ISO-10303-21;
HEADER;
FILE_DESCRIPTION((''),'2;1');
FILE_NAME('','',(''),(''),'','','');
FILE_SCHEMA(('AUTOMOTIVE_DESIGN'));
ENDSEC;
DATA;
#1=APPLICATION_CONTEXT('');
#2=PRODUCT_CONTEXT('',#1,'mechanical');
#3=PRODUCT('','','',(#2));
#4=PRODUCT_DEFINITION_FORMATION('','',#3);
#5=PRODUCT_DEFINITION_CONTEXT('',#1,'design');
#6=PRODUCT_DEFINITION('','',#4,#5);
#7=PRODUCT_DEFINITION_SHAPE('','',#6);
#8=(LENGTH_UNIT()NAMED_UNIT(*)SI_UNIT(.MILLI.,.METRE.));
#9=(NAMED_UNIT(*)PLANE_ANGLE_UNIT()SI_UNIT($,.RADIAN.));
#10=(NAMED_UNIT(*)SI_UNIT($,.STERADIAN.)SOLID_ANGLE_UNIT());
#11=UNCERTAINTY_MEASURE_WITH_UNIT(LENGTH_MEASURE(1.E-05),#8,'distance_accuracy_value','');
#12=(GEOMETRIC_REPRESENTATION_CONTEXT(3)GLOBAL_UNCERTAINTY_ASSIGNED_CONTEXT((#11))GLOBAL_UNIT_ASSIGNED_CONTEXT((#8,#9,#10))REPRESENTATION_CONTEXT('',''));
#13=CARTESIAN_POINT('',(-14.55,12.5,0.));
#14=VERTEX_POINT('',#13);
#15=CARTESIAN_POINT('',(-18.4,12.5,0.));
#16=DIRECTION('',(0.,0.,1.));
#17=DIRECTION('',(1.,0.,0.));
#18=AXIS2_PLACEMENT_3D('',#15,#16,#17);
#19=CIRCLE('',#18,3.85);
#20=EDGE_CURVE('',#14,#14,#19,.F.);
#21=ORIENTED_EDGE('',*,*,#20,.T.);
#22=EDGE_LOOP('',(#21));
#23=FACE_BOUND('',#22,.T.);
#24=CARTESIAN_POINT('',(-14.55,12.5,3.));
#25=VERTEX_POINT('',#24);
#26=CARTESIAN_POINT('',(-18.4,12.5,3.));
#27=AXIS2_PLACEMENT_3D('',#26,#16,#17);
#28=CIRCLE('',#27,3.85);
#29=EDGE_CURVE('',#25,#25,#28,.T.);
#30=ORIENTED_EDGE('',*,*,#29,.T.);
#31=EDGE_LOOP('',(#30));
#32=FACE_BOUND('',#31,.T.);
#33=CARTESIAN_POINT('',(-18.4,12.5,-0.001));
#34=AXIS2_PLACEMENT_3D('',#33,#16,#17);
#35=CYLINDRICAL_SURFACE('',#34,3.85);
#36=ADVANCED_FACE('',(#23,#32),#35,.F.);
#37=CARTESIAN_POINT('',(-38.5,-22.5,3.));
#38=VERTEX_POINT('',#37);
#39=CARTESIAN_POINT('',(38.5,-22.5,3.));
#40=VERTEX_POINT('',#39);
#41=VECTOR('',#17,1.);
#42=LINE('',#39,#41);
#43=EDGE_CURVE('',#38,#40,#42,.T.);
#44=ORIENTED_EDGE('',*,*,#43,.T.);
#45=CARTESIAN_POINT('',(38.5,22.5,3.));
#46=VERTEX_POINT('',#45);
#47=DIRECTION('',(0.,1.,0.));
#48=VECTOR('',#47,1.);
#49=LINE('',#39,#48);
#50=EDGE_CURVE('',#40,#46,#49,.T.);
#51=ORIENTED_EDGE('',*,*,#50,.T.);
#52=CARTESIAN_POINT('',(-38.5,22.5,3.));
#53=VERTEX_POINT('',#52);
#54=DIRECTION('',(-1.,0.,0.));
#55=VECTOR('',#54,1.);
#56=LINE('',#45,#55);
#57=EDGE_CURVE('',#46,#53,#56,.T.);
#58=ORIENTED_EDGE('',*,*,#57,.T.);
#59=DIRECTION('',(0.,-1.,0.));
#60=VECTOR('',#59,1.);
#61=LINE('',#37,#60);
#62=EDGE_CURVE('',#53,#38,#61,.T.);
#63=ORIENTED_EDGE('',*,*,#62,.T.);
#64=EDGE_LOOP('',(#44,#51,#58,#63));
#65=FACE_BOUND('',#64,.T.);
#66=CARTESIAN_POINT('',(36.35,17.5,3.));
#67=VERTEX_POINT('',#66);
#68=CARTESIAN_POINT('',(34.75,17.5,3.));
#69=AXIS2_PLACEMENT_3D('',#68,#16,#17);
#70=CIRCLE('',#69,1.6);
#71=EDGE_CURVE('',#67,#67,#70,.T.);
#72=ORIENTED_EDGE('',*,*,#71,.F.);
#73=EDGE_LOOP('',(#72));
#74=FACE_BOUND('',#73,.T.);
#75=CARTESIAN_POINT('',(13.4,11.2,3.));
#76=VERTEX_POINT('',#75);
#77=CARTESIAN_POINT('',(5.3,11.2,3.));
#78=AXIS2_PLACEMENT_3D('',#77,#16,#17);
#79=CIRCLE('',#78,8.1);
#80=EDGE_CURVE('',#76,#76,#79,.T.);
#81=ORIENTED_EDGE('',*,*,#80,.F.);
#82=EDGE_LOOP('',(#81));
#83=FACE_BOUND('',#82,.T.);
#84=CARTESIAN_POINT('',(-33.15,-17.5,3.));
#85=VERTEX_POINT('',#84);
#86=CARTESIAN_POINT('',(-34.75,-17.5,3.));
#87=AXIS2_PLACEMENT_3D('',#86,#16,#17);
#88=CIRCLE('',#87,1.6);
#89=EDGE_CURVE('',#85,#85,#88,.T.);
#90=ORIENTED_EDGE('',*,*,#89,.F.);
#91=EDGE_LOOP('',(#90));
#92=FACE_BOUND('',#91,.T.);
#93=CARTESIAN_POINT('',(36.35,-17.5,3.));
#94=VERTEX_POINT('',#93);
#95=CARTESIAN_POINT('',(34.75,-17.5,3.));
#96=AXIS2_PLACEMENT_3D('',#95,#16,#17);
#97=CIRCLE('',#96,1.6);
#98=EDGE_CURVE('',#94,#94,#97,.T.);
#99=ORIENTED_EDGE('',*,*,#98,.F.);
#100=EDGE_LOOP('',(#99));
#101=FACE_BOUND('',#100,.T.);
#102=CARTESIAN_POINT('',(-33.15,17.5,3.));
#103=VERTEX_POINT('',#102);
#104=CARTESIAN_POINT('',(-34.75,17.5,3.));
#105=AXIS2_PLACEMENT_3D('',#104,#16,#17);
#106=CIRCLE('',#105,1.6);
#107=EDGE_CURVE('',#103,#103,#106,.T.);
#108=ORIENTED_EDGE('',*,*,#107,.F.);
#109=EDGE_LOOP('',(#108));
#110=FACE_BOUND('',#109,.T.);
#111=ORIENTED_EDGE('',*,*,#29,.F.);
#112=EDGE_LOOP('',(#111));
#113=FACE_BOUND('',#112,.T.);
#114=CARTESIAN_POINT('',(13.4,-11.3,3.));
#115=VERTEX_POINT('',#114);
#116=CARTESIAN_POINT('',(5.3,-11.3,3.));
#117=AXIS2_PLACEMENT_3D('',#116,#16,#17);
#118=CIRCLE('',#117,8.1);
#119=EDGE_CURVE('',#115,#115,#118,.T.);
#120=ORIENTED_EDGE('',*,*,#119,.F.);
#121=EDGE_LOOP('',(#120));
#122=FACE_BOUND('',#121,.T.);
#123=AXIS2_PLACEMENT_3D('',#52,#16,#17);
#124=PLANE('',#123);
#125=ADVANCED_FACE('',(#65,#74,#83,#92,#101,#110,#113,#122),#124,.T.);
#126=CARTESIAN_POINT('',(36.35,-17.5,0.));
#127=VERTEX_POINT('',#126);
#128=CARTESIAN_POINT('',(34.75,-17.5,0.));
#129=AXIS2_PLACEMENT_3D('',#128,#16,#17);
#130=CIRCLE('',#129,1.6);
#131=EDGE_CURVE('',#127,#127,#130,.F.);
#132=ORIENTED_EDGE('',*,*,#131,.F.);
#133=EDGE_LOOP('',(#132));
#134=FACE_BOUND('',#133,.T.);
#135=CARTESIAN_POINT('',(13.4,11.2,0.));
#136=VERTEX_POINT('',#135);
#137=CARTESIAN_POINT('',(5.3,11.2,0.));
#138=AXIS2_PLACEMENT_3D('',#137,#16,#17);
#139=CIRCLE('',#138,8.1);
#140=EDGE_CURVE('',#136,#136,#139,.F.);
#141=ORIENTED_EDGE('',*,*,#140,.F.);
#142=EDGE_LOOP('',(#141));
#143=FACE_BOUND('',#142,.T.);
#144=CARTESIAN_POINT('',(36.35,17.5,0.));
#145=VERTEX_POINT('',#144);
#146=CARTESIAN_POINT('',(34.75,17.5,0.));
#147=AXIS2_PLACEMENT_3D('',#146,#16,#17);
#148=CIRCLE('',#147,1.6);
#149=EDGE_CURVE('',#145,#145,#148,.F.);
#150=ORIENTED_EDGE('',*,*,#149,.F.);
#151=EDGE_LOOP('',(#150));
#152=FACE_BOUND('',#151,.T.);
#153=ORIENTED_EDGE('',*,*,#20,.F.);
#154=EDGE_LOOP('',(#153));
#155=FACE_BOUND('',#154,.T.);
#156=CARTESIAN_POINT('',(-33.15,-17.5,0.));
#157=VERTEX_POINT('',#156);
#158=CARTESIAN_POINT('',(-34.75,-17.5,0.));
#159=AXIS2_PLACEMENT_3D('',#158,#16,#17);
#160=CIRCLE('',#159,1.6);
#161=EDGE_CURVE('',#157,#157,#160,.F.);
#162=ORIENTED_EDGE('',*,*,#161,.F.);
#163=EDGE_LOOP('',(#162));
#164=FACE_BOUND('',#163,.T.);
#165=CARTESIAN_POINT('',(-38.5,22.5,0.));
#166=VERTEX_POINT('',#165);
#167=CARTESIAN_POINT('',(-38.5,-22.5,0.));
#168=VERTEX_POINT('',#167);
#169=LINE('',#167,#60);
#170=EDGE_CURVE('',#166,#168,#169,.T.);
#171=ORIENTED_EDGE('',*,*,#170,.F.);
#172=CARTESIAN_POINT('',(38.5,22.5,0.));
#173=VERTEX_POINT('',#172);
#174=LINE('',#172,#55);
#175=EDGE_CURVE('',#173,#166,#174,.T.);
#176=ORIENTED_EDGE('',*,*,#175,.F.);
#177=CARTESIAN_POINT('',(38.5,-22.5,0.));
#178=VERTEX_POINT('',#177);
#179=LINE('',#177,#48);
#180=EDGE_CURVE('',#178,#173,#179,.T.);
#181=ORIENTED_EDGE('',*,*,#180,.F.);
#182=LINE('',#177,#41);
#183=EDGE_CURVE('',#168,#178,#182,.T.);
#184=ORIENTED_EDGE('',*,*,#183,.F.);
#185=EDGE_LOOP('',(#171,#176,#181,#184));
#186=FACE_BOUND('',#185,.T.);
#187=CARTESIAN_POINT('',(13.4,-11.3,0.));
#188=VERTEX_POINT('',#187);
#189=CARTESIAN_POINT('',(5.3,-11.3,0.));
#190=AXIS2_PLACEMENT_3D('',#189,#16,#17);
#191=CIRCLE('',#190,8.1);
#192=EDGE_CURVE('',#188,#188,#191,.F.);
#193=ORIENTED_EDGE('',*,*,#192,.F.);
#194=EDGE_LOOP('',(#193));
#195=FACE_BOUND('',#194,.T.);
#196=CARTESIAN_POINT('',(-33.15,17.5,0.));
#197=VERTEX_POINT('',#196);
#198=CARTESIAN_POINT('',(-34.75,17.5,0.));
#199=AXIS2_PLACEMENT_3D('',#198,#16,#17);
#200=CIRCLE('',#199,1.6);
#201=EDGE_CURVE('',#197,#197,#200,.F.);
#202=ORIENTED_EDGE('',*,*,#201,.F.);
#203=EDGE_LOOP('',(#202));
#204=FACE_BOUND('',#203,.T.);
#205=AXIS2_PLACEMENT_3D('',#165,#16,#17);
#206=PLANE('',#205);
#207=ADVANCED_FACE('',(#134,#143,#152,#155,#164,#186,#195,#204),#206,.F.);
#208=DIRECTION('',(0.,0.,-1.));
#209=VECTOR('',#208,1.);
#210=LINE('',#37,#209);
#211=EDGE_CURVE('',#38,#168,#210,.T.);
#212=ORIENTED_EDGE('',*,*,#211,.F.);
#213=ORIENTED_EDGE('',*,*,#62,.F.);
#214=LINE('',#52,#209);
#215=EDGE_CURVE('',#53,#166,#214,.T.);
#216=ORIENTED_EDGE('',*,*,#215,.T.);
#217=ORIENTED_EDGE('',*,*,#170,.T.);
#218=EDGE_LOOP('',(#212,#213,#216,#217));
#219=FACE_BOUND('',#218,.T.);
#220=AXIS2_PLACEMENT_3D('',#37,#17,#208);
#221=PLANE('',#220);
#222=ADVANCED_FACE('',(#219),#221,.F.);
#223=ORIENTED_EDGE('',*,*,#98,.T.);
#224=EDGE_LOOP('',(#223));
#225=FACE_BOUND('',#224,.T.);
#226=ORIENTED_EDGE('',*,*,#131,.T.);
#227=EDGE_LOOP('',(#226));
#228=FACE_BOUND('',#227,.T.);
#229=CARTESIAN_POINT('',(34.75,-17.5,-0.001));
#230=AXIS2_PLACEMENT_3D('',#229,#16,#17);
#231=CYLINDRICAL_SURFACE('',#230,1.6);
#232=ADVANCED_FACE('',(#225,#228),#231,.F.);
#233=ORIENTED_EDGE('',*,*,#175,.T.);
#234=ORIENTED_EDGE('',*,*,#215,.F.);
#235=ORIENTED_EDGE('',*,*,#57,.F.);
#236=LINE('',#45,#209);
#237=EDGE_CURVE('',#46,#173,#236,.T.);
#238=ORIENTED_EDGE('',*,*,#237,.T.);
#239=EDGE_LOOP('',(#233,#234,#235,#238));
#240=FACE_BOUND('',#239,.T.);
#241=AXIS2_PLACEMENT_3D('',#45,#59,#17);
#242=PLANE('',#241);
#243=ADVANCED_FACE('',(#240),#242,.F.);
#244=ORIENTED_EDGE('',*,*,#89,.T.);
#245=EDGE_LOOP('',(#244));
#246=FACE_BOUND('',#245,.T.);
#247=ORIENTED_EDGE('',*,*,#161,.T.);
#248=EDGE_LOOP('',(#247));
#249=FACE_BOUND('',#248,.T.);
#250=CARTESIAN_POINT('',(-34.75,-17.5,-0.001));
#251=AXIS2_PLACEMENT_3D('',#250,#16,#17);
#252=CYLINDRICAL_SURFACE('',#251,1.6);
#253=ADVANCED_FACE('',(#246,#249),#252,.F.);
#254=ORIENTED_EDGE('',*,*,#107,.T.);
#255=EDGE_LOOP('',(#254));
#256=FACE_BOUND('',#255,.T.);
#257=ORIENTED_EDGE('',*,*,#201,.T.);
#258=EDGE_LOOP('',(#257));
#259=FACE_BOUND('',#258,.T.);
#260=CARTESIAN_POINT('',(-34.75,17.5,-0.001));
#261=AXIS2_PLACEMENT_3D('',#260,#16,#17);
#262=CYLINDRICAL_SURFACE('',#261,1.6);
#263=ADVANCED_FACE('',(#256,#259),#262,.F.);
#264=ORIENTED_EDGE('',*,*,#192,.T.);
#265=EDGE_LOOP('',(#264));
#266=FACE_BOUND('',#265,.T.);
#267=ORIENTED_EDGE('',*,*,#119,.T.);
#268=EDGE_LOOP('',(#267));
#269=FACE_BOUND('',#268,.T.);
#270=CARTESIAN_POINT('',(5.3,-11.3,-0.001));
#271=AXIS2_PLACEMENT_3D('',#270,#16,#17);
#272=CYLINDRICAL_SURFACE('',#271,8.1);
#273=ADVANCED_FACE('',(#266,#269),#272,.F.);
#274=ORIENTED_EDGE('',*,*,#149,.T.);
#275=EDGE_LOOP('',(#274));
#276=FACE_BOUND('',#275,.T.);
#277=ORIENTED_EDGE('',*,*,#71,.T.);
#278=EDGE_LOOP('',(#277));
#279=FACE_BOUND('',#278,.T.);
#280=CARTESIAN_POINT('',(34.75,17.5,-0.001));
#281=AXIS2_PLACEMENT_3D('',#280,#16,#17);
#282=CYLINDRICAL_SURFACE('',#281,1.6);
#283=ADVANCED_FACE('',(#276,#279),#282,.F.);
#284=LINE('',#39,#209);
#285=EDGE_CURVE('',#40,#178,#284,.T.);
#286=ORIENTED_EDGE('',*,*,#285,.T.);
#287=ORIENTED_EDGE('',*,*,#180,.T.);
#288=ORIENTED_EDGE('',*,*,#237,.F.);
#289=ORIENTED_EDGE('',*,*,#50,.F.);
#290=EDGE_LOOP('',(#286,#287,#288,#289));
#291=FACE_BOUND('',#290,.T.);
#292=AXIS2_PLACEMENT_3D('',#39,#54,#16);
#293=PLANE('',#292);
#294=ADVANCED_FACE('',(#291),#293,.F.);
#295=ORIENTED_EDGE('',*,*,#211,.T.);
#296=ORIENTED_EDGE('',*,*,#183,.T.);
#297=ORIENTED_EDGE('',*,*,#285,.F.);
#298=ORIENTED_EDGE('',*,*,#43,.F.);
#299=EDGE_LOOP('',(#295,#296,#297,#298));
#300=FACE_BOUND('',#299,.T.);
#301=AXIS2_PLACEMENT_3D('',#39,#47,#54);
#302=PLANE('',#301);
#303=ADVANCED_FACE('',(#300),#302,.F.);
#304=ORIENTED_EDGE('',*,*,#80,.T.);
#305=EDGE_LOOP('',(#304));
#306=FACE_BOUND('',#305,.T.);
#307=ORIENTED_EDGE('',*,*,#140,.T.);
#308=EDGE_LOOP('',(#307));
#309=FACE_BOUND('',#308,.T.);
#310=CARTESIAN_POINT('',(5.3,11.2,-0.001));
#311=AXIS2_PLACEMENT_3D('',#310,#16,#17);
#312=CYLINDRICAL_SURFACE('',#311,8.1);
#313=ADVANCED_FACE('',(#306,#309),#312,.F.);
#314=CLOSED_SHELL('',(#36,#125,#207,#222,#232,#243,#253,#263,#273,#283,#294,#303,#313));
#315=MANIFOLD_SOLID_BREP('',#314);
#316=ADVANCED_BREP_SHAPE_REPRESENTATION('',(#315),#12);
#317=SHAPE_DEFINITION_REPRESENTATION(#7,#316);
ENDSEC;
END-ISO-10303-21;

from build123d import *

# Parameters (mm, degrees)
CROQUIS1_W              = 77
CROQUIS1_H              = 45
SALIENTE_EXTRUIR1_DEPTH = 3
CORTAR_EXTRUIR1_REACH   = 5
CROQUIS2_R              = 8.1
CROQUIS2_R_2            = 3.85
CROQUIS2_R_3            = 1.6


with BuildPart() as part:
    # Croquis1 → Saliente-Extruir1 (new body)
    with BuildSketch(Plane.XY):
        Rectangle(CROQUIS1_W, CROQUIS1_H)
    extrude(amount=SALIENTE_EXTRUIR1_DEPTH)

    # Croquis2 → Cortar-Extruir1 (cut, up to next)
    with BuildSketch(Plane.XY.offset(3), mode=Mode.PRIVATE) as cortar_extruir1_sk1:
        with Locations((5.3, 11.2)):
            Circle(CROQUIS2_R)
    cortar_extruir1_tool1 = extrude(cortar_extruir1_sk1.sketch, amount=-CORTAR_EXTRUIR1_REACH, mode=Mode.PRIVATE) & part.part
    add(cortar_extruir1_tool1.solids().sort_by_distance((5.3, 11.2, 3))[0], mode=Mode.SUBTRACT)
    # Croquis2 → Cortar-Extruir1 (cut, up to next)
    with BuildSketch(Plane.XY.offset(3), mode=Mode.PRIVATE) as cortar_extruir1_sk2:
        with Locations((5.3, -11.3)):
            Circle(CROQUIS2_R)
    cortar_extruir1_tool2 = extrude(cortar_extruir1_sk2.sketch, amount=-CORTAR_EXTRUIR1_REACH, mode=Mode.PRIVATE) & part.part
    add(cortar_extruir1_tool2.solids().sort_by_distance((5.3, -11.3, 3))[0], mode=Mode.SUBTRACT)
    # Croquis2 → Cortar-Extruir1 (cut, up to next)
    with BuildSketch(Plane.XY.offset(3), mode=Mode.PRIVATE) as cortar_extruir1_sk3:
        with Locations((-18.4, 12.5)):
            Circle(CROQUIS2_R_2)
    cortar_extruir1_tool3 = extrude(cortar_extruir1_sk3.sketch, amount=-CORTAR_EXTRUIR1_REACH, mode=Mode.PRIVATE) & part.part
    add(cortar_extruir1_tool3.solids().sort_by_distance((-18.4, 12.5, 3))[0], mode=Mode.SUBTRACT)
    # Croquis2 → Cortar-Extruir1 (cut, up to next)
    with BuildSketch(Plane.XY.offset(3), mode=Mode.PRIVATE) as cortar_extruir1_sk4:
        with Locations((-34.75, 17.5)):
            Circle(CROQUIS2_R_3)
    cortar_extruir1_tool4 = extrude(cortar_extruir1_sk4.sketch, amount=-CORTAR_EXTRUIR1_REACH, mode=Mode.PRIVATE) & part.part
    add(cortar_extruir1_tool4.solids().sort_by_distance((-34.75, 17.5, 3))[0], mode=Mode.SUBTRACT)
    # Croquis2 → Cortar-Extruir1 (cut, up to next)
    with BuildSketch(Plane.XY.offset(3), mode=Mode.PRIVATE) as cortar_extruir1_sk5:
        with Locations((34.75, 17.5)):
            Circle(CROQUIS2_R_3)
    cortar_extruir1_tool5 = extrude(cortar_extruir1_sk5.sketch, amount=-CORTAR_EXTRUIR1_REACH, mode=Mode.PRIVATE) & part.part
    add(cortar_extruir1_tool5.solids().sort_by_distance((34.75, 17.5, 3))[0], mode=Mode.SUBTRACT)
    # Croquis2 → Cortar-Extruir1 (cut, up to next)
    with BuildSketch(Plane.XY.offset(3), mode=Mode.PRIVATE) as cortar_extruir1_sk6:
        with Locations((34.75, -17.5)):
            Circle(CROQUIS2_R_3)
    cortar_extruir1_tool6 = extrude(cortar_extruir1_sk6.sketch, amount=-CORTAR_EXTRUIR1_REACH, mode=Mode.PRIVATE) & part.part
    add(cortar_extruir1_tool6.solids().sort_by_distance((34.75, -17.5, 3))[0], mode=Mode.SUBTRACT)
    # Croquis2 → Cortar-Extruir1 (cut, up to next)
    with BuildSketch(Plane.XY.offset(3), mode=Mode.PRIVATE) as cortar_extruir1_sk7:
        with Locations((-34.75, -17.5)):
            Circle(CROQUIS2_R_3)
    cortar_extruir1_tool7 = extrude(cortar_extruir1_sk7.sketch, amount=-CORTAR_EXTRUIR1_REACH, mode=Mode.PRIVATE) & part.part
    add(cortar_extruir1_tool7.solids().sort_by_distance((-34.75, -17.5, 3))[0], mode=Mode.SUBTRACT)


solid = part.part
